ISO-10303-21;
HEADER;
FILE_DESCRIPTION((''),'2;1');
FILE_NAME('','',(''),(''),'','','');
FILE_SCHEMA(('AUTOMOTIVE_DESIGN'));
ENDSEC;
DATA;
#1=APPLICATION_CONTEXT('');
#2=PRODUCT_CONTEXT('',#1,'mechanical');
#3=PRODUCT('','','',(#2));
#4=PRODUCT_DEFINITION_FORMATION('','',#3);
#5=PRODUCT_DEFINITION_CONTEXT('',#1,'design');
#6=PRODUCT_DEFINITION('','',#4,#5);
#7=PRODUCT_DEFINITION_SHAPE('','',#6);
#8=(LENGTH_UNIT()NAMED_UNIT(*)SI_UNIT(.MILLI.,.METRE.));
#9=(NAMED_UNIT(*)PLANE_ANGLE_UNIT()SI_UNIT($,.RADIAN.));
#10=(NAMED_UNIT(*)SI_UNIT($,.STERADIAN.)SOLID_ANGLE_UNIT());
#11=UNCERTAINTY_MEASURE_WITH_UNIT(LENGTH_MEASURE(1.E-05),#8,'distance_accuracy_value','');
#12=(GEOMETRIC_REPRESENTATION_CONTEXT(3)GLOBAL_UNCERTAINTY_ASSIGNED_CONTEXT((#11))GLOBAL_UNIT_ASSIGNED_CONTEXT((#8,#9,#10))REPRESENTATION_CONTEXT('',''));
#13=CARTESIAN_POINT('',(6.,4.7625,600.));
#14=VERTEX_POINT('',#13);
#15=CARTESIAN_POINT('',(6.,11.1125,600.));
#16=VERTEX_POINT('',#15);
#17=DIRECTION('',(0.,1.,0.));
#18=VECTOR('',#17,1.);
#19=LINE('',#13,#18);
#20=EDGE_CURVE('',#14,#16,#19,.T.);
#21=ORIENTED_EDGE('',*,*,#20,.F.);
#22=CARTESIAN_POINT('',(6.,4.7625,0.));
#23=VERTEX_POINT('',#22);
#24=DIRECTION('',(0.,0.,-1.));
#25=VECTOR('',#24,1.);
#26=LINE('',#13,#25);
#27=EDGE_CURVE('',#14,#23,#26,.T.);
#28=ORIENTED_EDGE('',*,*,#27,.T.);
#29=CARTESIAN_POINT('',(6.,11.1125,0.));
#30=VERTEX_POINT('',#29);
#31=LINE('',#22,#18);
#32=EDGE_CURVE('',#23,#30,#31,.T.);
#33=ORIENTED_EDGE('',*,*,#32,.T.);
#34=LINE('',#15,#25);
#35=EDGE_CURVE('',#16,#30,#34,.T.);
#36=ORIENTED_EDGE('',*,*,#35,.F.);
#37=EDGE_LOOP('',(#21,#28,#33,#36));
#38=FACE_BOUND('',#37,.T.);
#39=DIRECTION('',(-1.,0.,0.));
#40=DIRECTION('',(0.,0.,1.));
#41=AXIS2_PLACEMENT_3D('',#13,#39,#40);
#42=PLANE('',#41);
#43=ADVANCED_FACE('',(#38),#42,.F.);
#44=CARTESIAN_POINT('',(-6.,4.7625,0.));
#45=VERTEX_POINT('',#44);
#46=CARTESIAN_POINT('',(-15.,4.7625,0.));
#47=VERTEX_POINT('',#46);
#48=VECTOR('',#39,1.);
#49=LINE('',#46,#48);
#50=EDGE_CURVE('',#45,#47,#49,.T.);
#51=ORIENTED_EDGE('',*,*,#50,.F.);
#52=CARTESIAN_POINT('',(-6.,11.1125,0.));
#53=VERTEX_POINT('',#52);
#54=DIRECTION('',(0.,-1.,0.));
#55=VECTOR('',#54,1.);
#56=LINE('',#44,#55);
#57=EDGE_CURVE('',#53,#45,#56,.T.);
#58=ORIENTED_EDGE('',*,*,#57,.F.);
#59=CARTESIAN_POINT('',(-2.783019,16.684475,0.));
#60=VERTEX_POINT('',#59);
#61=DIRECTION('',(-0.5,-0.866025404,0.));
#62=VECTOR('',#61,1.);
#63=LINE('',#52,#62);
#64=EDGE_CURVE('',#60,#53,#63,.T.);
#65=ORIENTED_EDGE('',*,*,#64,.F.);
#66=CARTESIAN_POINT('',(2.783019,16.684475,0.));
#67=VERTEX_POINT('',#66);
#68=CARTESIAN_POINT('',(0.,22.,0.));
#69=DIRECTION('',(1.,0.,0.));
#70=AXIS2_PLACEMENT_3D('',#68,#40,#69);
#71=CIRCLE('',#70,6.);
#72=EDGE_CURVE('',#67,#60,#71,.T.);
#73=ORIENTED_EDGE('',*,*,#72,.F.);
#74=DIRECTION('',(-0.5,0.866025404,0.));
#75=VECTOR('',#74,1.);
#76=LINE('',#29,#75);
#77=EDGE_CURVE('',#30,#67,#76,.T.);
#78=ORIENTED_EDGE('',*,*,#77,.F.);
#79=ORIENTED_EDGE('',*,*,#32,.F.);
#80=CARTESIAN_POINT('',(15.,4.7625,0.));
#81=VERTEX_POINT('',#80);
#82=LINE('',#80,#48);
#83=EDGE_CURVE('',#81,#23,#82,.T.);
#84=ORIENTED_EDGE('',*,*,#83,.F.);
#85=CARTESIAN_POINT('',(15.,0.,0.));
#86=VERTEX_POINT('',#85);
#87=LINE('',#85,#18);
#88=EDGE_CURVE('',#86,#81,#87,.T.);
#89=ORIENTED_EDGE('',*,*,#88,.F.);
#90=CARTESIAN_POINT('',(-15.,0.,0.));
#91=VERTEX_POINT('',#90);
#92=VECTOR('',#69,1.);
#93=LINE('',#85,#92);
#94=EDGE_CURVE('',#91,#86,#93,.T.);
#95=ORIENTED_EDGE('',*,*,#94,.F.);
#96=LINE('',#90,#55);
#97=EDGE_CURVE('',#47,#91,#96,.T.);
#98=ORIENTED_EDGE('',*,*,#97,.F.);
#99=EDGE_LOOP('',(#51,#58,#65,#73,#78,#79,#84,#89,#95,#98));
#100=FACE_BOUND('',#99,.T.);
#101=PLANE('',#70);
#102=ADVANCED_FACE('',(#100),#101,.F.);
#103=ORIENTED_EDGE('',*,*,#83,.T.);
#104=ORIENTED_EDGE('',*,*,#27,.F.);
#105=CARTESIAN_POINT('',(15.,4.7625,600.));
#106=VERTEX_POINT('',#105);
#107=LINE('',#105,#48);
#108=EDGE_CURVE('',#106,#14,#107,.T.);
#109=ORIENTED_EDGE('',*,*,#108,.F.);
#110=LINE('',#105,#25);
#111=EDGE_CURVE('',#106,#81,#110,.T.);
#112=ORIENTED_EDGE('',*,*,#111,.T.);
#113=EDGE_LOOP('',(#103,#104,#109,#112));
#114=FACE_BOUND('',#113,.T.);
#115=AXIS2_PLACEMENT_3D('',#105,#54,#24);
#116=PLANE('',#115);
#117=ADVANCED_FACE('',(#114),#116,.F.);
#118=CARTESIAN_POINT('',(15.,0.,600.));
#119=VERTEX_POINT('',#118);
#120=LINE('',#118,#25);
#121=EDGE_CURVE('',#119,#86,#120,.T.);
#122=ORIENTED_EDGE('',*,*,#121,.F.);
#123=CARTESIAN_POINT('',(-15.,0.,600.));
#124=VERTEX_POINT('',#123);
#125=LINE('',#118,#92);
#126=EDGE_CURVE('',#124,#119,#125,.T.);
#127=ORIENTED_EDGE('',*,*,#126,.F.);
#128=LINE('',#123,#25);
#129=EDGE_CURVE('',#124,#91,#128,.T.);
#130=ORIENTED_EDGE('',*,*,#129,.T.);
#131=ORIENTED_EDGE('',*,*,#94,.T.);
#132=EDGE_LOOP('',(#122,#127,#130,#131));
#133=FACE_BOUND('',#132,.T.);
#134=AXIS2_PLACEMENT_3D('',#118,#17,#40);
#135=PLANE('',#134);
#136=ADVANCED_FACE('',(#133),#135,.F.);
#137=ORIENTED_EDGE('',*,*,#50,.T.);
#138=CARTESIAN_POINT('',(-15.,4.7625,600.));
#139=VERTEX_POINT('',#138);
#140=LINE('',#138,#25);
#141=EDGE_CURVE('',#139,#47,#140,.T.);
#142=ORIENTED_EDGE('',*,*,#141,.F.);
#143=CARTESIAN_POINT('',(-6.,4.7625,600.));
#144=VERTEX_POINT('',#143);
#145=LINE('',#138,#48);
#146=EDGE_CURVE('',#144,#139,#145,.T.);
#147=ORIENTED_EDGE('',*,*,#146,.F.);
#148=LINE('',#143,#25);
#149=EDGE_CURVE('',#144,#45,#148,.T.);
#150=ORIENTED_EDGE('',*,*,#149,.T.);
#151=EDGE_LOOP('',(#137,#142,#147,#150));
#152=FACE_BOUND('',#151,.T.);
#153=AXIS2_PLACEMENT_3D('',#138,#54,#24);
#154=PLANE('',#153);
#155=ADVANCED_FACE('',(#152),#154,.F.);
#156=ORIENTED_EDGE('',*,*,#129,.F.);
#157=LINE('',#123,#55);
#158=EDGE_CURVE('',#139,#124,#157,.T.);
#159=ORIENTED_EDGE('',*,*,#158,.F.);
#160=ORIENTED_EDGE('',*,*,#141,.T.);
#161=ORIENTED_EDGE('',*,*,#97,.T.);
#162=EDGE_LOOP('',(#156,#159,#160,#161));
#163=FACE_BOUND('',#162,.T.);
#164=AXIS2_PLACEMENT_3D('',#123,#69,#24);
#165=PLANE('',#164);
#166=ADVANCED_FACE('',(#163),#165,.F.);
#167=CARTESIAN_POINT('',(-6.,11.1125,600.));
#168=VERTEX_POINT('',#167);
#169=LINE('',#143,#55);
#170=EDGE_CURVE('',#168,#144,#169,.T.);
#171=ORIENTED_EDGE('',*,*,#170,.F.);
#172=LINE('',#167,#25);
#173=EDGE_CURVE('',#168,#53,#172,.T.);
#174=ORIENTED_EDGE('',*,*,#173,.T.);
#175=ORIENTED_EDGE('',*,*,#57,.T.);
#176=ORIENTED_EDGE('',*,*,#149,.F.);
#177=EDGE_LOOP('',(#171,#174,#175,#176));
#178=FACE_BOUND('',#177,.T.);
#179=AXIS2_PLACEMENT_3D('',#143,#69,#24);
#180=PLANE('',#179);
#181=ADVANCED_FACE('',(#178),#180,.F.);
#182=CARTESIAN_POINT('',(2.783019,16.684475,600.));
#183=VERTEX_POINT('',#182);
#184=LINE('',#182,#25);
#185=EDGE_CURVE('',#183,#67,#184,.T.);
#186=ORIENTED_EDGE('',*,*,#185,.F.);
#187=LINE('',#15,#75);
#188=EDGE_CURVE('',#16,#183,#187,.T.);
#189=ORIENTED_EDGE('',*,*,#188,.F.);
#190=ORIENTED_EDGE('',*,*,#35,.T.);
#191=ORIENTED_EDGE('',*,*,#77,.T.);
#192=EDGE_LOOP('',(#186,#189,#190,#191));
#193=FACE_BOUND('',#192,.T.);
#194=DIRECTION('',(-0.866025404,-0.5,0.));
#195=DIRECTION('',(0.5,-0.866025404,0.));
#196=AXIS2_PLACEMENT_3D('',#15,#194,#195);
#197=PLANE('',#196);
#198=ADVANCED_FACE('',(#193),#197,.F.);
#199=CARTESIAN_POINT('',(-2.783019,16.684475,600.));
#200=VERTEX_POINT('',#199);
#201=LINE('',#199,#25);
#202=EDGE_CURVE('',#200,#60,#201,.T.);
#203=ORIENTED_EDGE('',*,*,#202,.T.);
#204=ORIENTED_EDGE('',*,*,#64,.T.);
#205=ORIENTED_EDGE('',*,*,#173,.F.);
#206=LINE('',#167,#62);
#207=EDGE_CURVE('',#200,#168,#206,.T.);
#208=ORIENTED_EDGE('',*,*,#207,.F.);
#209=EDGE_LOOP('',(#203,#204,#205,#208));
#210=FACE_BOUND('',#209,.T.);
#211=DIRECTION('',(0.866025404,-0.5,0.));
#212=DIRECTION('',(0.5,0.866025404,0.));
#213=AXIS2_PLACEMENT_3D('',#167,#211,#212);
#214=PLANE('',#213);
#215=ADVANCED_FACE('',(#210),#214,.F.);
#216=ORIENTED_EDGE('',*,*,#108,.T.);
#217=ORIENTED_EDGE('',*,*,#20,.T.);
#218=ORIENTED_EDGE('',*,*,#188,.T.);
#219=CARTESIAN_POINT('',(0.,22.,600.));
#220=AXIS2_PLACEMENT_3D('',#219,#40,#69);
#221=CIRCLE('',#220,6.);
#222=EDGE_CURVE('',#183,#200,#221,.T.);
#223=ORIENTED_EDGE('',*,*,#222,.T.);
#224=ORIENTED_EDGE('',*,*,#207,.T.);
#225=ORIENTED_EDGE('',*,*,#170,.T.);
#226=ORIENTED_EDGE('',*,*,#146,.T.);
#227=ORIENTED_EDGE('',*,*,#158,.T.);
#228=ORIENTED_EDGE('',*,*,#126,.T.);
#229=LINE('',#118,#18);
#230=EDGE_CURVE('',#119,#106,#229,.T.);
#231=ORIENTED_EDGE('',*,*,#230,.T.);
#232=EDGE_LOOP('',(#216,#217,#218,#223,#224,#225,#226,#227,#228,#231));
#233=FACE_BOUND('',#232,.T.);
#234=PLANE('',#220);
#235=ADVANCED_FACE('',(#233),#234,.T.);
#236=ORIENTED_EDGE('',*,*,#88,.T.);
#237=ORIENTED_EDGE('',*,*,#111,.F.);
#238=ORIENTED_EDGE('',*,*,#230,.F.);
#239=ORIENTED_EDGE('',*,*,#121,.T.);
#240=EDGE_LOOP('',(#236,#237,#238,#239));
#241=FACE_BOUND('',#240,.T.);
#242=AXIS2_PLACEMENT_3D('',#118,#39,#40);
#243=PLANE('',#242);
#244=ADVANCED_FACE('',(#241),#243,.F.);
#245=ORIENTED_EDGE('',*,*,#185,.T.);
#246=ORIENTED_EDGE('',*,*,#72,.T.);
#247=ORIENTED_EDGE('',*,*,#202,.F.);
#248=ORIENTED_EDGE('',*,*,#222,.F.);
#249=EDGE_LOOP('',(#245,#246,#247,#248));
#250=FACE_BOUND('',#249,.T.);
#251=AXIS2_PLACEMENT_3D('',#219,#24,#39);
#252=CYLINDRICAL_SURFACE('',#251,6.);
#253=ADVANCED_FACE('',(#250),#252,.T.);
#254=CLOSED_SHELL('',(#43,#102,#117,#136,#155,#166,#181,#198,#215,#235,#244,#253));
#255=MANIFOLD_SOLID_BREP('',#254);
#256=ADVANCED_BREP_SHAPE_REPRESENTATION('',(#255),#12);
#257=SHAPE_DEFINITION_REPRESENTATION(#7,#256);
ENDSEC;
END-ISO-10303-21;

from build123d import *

# Parameters (mm, degrees)
BOSS_EXTRUDE1_DEPTH = 600


with BuildPart() as part:
    # Sketch1 → Boss-Extrude1 (new body)
    with BuildSketch(Plane.XY):
        with BuildLine():
            Line((15, 0), (-15, 0))
            Line((-15, 0), (-15, 4.7625))
            Line((-15, 4.7625), (-6, 4.7625))
            Line((-6, 4.7625), (-6, 11.1125))
            Line((-6, 11.1125), (-2.783018763, 16.684474949))
            ThreePointArc((-2.783018763, 16.684474949), (0, 28), (2.783018763, 16.684474949))
            Line((2.783018763, 16.684474949), (6, 11.1125))
            Line((6, 11.1125), (6, 4.7625))
            Line((6, 4.7625), (15, 4.7625))
            Line((15, 4.7625), (15, 0))
        make_face()
    extrude(amount=BOSS_EXTRUDE1_DEPTH)


solid = part.part
